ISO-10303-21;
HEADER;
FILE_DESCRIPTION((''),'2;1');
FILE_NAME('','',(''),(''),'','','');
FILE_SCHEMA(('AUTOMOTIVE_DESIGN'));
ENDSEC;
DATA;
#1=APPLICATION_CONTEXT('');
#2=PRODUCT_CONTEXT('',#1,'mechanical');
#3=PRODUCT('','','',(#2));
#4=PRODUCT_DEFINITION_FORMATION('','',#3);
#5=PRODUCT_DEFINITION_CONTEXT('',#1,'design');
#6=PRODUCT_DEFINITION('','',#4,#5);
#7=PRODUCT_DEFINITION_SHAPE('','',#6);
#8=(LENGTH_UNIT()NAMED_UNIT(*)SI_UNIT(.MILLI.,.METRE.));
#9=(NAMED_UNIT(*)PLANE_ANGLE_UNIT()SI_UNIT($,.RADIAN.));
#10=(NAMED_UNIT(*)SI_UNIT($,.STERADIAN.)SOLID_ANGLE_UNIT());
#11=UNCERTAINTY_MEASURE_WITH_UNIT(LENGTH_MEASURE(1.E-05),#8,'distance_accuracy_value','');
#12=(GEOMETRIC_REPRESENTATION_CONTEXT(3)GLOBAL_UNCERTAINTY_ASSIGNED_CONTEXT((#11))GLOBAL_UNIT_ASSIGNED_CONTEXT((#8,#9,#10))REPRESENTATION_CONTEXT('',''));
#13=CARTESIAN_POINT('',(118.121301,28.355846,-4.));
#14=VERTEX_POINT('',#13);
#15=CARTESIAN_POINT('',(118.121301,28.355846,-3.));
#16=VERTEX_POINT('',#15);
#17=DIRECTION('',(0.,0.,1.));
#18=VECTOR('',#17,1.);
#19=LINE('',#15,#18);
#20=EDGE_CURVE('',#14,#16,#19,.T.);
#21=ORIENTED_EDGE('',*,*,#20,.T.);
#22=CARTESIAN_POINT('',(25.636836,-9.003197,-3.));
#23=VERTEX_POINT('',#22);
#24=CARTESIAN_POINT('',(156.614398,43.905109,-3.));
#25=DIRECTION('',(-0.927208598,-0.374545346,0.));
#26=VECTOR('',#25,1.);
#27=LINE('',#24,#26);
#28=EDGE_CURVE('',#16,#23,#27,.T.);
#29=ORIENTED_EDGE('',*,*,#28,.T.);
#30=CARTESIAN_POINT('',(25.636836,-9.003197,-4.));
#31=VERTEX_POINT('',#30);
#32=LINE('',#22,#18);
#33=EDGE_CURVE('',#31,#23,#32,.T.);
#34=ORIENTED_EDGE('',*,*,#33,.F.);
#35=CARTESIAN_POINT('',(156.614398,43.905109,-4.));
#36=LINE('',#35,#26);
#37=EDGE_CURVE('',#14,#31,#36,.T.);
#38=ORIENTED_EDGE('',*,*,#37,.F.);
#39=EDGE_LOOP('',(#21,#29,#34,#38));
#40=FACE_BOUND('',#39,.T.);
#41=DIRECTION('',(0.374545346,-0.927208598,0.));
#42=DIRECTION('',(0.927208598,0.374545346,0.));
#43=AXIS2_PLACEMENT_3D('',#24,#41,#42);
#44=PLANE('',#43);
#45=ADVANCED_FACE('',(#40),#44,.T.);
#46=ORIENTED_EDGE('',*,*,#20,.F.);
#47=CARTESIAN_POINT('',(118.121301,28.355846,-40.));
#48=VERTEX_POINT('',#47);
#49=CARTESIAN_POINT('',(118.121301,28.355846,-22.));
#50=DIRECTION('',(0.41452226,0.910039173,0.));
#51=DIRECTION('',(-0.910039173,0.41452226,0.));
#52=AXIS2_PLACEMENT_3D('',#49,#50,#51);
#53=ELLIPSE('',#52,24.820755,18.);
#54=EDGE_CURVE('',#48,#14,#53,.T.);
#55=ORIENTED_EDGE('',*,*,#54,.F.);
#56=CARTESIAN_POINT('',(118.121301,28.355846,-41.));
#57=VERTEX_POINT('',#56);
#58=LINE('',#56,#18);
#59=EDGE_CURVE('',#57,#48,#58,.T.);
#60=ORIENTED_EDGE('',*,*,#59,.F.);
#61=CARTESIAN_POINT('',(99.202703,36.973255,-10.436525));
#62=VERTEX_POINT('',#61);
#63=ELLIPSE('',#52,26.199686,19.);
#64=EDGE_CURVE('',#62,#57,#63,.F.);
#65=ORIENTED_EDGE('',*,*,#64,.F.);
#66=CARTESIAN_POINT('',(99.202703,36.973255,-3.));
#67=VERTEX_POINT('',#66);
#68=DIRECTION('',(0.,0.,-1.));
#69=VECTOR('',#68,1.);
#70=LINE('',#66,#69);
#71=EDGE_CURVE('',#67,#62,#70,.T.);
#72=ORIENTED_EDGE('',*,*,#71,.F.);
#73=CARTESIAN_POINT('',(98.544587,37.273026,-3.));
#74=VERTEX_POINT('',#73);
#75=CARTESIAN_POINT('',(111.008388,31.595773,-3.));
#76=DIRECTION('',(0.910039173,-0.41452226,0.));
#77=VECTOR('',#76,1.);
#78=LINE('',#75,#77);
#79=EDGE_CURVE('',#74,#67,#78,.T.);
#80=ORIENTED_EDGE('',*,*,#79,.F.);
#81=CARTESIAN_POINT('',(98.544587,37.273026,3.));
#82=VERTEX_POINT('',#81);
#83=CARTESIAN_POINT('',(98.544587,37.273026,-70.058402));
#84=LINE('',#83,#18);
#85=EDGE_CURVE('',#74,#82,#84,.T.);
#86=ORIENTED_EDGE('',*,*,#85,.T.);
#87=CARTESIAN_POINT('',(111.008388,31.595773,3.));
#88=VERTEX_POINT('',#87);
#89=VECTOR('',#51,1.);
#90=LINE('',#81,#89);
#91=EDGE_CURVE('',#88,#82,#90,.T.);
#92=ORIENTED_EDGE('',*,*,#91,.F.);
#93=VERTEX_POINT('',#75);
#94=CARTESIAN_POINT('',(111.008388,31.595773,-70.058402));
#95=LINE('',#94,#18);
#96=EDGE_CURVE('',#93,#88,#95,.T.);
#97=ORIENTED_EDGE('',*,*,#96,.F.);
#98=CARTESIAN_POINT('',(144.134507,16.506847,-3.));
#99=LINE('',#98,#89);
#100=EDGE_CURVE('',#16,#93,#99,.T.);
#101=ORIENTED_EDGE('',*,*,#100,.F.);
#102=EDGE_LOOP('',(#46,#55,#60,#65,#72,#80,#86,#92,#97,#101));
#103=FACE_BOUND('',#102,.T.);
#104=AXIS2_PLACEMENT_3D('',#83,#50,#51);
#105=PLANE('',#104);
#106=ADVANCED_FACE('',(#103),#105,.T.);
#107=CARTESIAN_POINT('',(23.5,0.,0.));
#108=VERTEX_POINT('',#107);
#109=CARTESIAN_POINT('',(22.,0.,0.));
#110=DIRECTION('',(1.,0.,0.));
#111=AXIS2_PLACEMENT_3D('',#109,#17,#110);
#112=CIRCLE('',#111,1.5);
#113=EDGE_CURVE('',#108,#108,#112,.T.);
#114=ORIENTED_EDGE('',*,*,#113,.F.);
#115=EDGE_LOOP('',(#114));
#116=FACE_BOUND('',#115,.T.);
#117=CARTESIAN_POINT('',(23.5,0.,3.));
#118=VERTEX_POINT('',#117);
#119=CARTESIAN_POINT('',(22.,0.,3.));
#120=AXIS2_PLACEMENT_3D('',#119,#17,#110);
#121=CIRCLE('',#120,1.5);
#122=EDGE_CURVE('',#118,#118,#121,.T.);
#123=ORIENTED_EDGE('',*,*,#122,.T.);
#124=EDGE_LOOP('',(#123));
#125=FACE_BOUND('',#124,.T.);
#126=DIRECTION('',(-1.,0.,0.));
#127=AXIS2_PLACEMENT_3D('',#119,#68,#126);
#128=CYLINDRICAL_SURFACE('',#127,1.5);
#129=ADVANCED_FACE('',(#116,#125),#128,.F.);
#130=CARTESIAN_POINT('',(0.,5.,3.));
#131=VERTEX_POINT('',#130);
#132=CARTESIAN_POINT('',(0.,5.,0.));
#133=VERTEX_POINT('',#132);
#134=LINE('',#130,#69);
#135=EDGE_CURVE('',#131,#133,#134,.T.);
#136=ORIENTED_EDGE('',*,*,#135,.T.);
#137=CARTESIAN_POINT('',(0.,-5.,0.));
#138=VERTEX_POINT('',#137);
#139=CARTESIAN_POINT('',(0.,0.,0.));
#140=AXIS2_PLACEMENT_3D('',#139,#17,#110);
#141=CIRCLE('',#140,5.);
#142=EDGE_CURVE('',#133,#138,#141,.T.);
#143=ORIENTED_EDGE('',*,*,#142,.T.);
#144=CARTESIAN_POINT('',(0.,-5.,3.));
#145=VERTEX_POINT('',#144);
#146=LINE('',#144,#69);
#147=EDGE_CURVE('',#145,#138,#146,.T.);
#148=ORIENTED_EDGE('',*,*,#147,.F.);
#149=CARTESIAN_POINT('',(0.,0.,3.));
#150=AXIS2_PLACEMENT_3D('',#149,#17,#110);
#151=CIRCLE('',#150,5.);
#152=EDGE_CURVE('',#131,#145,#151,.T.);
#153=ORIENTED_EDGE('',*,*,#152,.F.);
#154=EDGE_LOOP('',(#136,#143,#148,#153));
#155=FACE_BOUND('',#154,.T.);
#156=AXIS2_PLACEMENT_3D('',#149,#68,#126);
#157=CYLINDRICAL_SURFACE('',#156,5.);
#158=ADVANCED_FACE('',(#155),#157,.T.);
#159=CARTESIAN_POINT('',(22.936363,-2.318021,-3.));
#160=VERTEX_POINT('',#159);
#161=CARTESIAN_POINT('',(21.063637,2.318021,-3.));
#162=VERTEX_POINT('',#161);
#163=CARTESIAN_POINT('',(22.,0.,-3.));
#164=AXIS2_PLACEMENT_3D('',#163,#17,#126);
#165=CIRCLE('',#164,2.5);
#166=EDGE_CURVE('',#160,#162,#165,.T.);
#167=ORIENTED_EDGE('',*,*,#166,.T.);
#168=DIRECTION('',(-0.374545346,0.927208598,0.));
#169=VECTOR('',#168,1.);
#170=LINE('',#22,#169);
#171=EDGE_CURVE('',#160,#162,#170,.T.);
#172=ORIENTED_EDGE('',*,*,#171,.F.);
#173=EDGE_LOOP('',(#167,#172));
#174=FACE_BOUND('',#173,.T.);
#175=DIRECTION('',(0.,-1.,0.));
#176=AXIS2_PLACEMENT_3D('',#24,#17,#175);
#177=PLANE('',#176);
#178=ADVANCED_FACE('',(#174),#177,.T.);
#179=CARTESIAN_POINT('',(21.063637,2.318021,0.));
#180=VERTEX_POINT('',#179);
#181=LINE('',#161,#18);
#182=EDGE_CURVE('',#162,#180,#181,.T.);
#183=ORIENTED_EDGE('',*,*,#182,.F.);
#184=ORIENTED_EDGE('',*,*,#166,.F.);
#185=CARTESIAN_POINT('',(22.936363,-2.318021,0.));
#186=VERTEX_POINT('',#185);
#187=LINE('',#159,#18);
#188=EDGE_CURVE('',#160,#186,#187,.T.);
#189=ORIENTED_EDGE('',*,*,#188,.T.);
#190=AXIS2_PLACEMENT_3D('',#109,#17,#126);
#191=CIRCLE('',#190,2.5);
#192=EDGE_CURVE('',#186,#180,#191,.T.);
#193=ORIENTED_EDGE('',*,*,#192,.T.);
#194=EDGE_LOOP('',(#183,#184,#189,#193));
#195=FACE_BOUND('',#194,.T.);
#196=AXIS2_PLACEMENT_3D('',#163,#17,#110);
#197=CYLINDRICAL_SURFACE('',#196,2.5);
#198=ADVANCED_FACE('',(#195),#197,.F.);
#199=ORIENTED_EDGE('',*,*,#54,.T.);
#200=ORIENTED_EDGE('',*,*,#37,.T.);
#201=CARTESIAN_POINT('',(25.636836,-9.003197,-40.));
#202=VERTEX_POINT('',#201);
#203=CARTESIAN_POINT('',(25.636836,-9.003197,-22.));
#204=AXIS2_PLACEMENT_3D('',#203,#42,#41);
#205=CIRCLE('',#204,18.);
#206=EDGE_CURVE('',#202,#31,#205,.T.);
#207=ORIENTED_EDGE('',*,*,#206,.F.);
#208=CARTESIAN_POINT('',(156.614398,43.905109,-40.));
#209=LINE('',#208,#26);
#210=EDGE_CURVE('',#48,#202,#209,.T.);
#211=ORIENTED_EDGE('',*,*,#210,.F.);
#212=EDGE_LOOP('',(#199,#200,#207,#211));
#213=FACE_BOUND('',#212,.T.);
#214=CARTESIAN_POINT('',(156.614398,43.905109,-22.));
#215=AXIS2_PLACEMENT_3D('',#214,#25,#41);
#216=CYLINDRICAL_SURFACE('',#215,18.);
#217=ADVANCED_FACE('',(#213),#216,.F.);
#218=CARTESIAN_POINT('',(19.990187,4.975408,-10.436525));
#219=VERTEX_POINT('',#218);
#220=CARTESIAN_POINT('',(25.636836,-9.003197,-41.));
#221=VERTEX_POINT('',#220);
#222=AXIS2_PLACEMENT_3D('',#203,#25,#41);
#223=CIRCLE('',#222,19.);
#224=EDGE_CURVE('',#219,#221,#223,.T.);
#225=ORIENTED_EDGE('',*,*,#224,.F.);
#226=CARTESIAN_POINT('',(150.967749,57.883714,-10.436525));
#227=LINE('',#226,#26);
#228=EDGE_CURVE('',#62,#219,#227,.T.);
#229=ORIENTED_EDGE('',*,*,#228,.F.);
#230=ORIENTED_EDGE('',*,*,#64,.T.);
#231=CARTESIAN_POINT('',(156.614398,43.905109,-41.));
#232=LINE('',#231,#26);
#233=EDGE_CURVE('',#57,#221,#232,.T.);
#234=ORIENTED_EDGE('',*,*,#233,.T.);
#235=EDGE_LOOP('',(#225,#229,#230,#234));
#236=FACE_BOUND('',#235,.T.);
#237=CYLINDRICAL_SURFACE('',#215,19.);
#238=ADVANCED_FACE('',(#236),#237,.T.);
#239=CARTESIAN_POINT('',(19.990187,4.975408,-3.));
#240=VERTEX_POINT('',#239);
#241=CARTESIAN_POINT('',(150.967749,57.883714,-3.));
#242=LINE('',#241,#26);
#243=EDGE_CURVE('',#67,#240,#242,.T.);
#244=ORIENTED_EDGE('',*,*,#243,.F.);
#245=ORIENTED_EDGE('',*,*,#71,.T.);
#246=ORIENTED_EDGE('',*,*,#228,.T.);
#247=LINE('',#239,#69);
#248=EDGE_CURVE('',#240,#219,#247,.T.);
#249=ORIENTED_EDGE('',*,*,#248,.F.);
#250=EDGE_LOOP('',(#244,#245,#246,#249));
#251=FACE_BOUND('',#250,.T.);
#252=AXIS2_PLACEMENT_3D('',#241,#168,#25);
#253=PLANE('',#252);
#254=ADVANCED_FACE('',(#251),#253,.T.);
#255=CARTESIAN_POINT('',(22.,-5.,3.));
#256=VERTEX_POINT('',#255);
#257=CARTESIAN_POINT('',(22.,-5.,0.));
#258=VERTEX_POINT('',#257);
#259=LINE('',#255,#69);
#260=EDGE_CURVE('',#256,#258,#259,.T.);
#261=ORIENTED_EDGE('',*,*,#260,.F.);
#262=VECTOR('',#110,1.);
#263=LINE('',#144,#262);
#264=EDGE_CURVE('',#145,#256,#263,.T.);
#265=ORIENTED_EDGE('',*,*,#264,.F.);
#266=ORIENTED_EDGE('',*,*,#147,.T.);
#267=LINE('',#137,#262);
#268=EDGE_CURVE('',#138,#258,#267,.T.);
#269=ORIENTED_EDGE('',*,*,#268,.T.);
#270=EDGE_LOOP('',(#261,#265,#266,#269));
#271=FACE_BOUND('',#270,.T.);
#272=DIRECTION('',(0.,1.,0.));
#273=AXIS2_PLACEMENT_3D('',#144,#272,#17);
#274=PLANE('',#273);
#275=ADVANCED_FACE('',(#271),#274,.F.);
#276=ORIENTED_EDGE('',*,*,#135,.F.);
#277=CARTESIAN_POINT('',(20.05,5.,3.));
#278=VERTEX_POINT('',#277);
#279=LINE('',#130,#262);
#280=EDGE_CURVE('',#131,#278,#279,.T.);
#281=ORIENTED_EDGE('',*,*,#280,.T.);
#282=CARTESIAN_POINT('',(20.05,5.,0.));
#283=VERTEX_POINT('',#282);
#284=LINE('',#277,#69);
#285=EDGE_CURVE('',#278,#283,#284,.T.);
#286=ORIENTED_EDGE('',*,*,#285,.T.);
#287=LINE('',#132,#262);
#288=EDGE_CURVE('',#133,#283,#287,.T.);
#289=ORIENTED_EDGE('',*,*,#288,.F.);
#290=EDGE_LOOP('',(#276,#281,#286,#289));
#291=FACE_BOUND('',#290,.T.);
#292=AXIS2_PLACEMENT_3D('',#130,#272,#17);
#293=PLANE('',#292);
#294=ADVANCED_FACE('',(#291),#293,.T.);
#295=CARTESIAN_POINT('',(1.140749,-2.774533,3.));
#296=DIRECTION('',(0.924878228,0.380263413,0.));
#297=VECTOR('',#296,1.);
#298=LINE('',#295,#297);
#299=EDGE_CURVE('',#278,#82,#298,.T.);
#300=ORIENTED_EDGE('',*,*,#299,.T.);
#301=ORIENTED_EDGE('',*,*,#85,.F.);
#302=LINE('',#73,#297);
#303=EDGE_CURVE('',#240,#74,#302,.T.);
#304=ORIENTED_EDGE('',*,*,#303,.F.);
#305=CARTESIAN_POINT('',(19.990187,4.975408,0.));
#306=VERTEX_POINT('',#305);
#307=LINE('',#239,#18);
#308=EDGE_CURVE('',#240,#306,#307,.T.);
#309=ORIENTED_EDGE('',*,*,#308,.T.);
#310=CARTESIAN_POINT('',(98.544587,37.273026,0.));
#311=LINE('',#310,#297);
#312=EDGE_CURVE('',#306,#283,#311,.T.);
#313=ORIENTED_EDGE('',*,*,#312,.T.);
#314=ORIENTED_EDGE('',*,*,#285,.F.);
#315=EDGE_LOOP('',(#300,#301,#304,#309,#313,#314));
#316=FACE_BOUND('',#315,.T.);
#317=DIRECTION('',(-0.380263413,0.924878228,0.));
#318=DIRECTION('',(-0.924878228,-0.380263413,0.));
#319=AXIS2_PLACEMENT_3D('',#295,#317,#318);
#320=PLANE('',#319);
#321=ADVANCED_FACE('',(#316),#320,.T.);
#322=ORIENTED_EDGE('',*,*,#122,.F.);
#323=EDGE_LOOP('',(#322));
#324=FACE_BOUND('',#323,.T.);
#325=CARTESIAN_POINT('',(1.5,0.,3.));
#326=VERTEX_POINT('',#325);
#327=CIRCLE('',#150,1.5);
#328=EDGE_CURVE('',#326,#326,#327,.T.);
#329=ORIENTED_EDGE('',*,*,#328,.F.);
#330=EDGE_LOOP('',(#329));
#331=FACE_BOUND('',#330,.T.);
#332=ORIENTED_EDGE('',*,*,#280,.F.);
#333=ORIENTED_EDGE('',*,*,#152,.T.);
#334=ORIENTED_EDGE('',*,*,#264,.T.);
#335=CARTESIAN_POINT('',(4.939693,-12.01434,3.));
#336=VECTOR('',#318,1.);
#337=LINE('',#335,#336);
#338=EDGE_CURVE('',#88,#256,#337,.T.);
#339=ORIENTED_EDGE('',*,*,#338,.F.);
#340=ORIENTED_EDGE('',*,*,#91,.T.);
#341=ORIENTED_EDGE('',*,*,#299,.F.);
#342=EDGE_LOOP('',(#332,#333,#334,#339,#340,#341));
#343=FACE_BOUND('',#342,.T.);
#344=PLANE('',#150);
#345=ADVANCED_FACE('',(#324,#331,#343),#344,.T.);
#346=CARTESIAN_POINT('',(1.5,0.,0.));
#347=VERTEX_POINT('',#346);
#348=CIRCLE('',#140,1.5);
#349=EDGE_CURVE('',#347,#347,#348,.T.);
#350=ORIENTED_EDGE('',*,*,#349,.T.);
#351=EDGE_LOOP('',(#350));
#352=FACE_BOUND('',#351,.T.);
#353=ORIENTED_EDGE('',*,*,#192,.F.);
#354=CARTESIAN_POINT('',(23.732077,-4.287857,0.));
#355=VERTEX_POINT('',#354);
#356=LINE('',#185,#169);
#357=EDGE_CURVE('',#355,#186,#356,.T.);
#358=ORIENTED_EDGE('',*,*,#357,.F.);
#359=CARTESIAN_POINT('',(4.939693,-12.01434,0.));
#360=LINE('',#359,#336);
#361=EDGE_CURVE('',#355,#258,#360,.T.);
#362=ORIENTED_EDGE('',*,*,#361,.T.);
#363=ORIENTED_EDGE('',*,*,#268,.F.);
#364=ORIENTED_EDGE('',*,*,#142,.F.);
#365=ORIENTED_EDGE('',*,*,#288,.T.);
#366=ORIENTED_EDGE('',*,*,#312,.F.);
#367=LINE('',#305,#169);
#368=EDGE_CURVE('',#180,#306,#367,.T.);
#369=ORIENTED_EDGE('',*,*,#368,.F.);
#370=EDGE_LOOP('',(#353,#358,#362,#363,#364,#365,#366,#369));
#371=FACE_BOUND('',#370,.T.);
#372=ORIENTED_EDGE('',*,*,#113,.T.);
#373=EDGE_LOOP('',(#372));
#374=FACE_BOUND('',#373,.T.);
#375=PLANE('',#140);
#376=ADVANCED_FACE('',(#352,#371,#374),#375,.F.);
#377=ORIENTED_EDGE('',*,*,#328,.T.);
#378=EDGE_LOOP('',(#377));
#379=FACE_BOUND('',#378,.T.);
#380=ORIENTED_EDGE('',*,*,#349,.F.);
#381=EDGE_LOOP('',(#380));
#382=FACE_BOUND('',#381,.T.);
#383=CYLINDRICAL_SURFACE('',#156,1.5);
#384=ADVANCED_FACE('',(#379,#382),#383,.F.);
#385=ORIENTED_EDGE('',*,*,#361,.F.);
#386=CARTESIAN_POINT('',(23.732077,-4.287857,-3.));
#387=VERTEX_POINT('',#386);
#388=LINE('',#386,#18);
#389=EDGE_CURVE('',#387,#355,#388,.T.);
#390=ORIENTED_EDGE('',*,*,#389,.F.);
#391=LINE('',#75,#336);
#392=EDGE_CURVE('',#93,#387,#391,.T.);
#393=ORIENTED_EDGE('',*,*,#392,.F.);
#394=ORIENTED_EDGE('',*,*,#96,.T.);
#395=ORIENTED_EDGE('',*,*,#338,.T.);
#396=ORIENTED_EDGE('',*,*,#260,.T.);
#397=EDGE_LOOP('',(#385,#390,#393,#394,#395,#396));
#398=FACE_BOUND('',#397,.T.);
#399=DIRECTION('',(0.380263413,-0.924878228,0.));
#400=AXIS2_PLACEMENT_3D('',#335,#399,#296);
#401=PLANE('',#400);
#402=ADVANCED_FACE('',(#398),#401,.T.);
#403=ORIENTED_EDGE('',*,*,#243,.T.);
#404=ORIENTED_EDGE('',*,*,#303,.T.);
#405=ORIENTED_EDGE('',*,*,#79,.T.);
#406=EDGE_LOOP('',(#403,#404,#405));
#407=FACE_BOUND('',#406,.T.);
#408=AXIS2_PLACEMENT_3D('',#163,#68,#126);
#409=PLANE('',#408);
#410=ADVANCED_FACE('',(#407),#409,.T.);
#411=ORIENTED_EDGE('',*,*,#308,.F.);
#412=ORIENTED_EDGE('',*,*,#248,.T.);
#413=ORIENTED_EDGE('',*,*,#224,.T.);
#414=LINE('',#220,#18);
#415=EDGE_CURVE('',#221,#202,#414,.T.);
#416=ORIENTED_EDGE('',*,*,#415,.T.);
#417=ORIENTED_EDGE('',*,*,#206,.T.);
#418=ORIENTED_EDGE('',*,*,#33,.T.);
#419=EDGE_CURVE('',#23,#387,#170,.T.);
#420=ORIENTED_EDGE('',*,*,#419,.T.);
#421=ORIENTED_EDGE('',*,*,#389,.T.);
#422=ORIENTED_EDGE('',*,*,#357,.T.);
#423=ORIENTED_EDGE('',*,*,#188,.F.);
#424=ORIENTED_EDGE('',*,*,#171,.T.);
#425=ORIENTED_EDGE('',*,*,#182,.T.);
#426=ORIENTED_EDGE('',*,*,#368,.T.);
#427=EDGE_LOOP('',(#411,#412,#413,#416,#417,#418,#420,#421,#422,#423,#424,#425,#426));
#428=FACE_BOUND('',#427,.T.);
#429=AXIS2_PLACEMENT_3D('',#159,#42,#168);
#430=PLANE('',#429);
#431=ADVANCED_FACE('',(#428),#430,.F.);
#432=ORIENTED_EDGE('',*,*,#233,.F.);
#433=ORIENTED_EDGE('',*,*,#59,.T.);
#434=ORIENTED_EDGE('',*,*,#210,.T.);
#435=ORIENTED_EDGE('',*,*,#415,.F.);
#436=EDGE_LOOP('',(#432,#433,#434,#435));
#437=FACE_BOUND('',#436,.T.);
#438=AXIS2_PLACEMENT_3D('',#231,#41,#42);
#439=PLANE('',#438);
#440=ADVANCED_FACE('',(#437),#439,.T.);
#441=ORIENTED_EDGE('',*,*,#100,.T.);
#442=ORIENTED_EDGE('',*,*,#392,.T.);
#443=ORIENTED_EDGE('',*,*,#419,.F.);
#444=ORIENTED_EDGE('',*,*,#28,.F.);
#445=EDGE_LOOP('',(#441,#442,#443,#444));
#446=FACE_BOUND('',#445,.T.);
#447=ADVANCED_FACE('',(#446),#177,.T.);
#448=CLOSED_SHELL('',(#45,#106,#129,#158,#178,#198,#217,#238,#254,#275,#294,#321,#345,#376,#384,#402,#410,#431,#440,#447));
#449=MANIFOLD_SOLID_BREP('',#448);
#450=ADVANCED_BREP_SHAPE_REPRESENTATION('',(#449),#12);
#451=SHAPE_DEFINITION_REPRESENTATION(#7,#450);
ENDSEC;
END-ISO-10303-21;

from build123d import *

# Parameters (mm, degrees)
SKETCH1_R           = 1.5
BOSS_EXTRUDE1_DEPTH = 3
EXTRUDE_1_DEPTH     = 3
EXTRUDE_2_DEPTH     = 3
EXTRUDE_3_REACH     = 100.745


with BuildPart() as part:
    # Sketch1 → Boss-Extrude1 (new body)
    # profile 1 of 2: a face of its own
    with BuildSketch(Plane.XY):
        with BuildLine():
            Line((20.05, 5), (0, 5))
            ThreePointArc((0, 5), (-5, 0), (0, -5))
            Line((0, -5), (22, -5))
            Line((22, -5), (25.516973514, -3.553997369))
            ThreePointArc((25.516973514, -3.553997369), (26.624391141, 1.901317064), (22, 5))
            Line((22, 5), (20.05, 5))
        make_face()
        Circle(SKETCH1_R, mode=Mode.SUBTRACT)
        with Locations((22, 0)):
            Circle(SKETCH1_R, mode=Mode.SUBTRACT)
    # profile 2 of 2: a face of its own
    with BuildSketch(Plane.XY):
        with BuildLine():
            Line((46.409029503, 15.837507263), (20.05, 5))
            Line((20.05, 5), (22, 5))
            ThreePointArc((22, 5), (26.624391141, 1.901317064), (25.516973514, -3.553997369))
            Line((25.516973514, -3.553997369), (48.359029503, 5.837507263))
            Line((48.359029503, 5.837507263), (58.872830999, 10.16025367))
            Line((58.872830999, 10.16025367), (53.359871826, 12.67140304))
            Line((53.359871826, 12.67140304), (46.409029503, 15.837507263))
        make_face()
    extrude(amount=BOSS_EXTRUDE1_DEPTH)

    # 草图1 → 凸台-拉伸1 (add)
    with BuildSketch(Plane.XY.offset(3)):
        Polygon((46.409029503, 15.837507263), (58.872830999, 10.16025367), (111.008388469, 31.59577286), (98.544586973, 37.273026453), align=None)
    extrude(amount=-EXTRUDE_1_DEPTH)

    # 草图4 → 凸台-拉伸2 (add)
    with BuildSketch(Plane(origin=(0, 0, 0), x_dir=(-1, 0, 0), z_dir=(0, 0, -1))):
        with BuildLine():
            Line((-111.008388469, 31.59577286), (-98.544586973, 37.273026453))
            Line((-98.544586973, 37.273026453), (-19.990187018, 4.97540791))
            Line((-19.990187018, 4.97540791), (-21.063636635, 2.318021494))
            ThreePointArc((-21.063636635, 2.318021494), (-24.318021494, 0.936363365), (-22.936363365, -2.318021494))
            Line((-22.936363365, -2.318021494), (-23.732077199, -4.287856967))
            Line((-23.732077199, -4.287856967), (-111.008388469, 31.59577286))
        make_face()
    extrude(amount=EXTRUDE_2_DEPTH)

    # 凸台-拉伸3: up to this plane
    extrude_3_end = Plane(origin=(98.544586973, 37.273026453, -70.058401543), z_dir=(0.4145222599320868, 0.9100391727946636, 0))
    # 草图5 → 凸台-拉伸3 (add, up to the surface)
    with BuildSketch(Plane(origin=(18.913747244, 7.640196631, 0), x_dir=(0.3745453459539944, -0.9272085977945863, 0), z_dir=(-0.9272085977945863, -0.3745453459539944, 0)), mode=Mode.PRIVATE) as extrude_3_sk1:
        with BuildLine():
            Line((17.949999281, -3), (17.949999281, -4))
            ThreePointArc((17.949999281, -4), (-0.050000719, -22), (17.949999281, -40))
            Line((17.949999281, -40), (17.949999281, -41))
            ThreePointArc((17.949999281, -41), (0.910251194, -30.405176091), (2.873990521, -10.43652475))
            Line((2.873990521, -10.43652475), (2.873990521, -3))
            Line((2.873990521, -3), (17.949999281, -3))
        make_face()
    extrude_3_tool1 = split(extrude(extrude_3_sk1.sketch, amount=-EXTRUDE_3_REACH, mode=Mode.PRIVATE), bisect_by=extrude_3_end, keep=Keep.BOTH, mode=Mode.PRIVATE)
    add(extrude_3_tool1.solids().sort_by_distance((20.149314, 4.581481, -6.718262))[0])


solid = part.part
